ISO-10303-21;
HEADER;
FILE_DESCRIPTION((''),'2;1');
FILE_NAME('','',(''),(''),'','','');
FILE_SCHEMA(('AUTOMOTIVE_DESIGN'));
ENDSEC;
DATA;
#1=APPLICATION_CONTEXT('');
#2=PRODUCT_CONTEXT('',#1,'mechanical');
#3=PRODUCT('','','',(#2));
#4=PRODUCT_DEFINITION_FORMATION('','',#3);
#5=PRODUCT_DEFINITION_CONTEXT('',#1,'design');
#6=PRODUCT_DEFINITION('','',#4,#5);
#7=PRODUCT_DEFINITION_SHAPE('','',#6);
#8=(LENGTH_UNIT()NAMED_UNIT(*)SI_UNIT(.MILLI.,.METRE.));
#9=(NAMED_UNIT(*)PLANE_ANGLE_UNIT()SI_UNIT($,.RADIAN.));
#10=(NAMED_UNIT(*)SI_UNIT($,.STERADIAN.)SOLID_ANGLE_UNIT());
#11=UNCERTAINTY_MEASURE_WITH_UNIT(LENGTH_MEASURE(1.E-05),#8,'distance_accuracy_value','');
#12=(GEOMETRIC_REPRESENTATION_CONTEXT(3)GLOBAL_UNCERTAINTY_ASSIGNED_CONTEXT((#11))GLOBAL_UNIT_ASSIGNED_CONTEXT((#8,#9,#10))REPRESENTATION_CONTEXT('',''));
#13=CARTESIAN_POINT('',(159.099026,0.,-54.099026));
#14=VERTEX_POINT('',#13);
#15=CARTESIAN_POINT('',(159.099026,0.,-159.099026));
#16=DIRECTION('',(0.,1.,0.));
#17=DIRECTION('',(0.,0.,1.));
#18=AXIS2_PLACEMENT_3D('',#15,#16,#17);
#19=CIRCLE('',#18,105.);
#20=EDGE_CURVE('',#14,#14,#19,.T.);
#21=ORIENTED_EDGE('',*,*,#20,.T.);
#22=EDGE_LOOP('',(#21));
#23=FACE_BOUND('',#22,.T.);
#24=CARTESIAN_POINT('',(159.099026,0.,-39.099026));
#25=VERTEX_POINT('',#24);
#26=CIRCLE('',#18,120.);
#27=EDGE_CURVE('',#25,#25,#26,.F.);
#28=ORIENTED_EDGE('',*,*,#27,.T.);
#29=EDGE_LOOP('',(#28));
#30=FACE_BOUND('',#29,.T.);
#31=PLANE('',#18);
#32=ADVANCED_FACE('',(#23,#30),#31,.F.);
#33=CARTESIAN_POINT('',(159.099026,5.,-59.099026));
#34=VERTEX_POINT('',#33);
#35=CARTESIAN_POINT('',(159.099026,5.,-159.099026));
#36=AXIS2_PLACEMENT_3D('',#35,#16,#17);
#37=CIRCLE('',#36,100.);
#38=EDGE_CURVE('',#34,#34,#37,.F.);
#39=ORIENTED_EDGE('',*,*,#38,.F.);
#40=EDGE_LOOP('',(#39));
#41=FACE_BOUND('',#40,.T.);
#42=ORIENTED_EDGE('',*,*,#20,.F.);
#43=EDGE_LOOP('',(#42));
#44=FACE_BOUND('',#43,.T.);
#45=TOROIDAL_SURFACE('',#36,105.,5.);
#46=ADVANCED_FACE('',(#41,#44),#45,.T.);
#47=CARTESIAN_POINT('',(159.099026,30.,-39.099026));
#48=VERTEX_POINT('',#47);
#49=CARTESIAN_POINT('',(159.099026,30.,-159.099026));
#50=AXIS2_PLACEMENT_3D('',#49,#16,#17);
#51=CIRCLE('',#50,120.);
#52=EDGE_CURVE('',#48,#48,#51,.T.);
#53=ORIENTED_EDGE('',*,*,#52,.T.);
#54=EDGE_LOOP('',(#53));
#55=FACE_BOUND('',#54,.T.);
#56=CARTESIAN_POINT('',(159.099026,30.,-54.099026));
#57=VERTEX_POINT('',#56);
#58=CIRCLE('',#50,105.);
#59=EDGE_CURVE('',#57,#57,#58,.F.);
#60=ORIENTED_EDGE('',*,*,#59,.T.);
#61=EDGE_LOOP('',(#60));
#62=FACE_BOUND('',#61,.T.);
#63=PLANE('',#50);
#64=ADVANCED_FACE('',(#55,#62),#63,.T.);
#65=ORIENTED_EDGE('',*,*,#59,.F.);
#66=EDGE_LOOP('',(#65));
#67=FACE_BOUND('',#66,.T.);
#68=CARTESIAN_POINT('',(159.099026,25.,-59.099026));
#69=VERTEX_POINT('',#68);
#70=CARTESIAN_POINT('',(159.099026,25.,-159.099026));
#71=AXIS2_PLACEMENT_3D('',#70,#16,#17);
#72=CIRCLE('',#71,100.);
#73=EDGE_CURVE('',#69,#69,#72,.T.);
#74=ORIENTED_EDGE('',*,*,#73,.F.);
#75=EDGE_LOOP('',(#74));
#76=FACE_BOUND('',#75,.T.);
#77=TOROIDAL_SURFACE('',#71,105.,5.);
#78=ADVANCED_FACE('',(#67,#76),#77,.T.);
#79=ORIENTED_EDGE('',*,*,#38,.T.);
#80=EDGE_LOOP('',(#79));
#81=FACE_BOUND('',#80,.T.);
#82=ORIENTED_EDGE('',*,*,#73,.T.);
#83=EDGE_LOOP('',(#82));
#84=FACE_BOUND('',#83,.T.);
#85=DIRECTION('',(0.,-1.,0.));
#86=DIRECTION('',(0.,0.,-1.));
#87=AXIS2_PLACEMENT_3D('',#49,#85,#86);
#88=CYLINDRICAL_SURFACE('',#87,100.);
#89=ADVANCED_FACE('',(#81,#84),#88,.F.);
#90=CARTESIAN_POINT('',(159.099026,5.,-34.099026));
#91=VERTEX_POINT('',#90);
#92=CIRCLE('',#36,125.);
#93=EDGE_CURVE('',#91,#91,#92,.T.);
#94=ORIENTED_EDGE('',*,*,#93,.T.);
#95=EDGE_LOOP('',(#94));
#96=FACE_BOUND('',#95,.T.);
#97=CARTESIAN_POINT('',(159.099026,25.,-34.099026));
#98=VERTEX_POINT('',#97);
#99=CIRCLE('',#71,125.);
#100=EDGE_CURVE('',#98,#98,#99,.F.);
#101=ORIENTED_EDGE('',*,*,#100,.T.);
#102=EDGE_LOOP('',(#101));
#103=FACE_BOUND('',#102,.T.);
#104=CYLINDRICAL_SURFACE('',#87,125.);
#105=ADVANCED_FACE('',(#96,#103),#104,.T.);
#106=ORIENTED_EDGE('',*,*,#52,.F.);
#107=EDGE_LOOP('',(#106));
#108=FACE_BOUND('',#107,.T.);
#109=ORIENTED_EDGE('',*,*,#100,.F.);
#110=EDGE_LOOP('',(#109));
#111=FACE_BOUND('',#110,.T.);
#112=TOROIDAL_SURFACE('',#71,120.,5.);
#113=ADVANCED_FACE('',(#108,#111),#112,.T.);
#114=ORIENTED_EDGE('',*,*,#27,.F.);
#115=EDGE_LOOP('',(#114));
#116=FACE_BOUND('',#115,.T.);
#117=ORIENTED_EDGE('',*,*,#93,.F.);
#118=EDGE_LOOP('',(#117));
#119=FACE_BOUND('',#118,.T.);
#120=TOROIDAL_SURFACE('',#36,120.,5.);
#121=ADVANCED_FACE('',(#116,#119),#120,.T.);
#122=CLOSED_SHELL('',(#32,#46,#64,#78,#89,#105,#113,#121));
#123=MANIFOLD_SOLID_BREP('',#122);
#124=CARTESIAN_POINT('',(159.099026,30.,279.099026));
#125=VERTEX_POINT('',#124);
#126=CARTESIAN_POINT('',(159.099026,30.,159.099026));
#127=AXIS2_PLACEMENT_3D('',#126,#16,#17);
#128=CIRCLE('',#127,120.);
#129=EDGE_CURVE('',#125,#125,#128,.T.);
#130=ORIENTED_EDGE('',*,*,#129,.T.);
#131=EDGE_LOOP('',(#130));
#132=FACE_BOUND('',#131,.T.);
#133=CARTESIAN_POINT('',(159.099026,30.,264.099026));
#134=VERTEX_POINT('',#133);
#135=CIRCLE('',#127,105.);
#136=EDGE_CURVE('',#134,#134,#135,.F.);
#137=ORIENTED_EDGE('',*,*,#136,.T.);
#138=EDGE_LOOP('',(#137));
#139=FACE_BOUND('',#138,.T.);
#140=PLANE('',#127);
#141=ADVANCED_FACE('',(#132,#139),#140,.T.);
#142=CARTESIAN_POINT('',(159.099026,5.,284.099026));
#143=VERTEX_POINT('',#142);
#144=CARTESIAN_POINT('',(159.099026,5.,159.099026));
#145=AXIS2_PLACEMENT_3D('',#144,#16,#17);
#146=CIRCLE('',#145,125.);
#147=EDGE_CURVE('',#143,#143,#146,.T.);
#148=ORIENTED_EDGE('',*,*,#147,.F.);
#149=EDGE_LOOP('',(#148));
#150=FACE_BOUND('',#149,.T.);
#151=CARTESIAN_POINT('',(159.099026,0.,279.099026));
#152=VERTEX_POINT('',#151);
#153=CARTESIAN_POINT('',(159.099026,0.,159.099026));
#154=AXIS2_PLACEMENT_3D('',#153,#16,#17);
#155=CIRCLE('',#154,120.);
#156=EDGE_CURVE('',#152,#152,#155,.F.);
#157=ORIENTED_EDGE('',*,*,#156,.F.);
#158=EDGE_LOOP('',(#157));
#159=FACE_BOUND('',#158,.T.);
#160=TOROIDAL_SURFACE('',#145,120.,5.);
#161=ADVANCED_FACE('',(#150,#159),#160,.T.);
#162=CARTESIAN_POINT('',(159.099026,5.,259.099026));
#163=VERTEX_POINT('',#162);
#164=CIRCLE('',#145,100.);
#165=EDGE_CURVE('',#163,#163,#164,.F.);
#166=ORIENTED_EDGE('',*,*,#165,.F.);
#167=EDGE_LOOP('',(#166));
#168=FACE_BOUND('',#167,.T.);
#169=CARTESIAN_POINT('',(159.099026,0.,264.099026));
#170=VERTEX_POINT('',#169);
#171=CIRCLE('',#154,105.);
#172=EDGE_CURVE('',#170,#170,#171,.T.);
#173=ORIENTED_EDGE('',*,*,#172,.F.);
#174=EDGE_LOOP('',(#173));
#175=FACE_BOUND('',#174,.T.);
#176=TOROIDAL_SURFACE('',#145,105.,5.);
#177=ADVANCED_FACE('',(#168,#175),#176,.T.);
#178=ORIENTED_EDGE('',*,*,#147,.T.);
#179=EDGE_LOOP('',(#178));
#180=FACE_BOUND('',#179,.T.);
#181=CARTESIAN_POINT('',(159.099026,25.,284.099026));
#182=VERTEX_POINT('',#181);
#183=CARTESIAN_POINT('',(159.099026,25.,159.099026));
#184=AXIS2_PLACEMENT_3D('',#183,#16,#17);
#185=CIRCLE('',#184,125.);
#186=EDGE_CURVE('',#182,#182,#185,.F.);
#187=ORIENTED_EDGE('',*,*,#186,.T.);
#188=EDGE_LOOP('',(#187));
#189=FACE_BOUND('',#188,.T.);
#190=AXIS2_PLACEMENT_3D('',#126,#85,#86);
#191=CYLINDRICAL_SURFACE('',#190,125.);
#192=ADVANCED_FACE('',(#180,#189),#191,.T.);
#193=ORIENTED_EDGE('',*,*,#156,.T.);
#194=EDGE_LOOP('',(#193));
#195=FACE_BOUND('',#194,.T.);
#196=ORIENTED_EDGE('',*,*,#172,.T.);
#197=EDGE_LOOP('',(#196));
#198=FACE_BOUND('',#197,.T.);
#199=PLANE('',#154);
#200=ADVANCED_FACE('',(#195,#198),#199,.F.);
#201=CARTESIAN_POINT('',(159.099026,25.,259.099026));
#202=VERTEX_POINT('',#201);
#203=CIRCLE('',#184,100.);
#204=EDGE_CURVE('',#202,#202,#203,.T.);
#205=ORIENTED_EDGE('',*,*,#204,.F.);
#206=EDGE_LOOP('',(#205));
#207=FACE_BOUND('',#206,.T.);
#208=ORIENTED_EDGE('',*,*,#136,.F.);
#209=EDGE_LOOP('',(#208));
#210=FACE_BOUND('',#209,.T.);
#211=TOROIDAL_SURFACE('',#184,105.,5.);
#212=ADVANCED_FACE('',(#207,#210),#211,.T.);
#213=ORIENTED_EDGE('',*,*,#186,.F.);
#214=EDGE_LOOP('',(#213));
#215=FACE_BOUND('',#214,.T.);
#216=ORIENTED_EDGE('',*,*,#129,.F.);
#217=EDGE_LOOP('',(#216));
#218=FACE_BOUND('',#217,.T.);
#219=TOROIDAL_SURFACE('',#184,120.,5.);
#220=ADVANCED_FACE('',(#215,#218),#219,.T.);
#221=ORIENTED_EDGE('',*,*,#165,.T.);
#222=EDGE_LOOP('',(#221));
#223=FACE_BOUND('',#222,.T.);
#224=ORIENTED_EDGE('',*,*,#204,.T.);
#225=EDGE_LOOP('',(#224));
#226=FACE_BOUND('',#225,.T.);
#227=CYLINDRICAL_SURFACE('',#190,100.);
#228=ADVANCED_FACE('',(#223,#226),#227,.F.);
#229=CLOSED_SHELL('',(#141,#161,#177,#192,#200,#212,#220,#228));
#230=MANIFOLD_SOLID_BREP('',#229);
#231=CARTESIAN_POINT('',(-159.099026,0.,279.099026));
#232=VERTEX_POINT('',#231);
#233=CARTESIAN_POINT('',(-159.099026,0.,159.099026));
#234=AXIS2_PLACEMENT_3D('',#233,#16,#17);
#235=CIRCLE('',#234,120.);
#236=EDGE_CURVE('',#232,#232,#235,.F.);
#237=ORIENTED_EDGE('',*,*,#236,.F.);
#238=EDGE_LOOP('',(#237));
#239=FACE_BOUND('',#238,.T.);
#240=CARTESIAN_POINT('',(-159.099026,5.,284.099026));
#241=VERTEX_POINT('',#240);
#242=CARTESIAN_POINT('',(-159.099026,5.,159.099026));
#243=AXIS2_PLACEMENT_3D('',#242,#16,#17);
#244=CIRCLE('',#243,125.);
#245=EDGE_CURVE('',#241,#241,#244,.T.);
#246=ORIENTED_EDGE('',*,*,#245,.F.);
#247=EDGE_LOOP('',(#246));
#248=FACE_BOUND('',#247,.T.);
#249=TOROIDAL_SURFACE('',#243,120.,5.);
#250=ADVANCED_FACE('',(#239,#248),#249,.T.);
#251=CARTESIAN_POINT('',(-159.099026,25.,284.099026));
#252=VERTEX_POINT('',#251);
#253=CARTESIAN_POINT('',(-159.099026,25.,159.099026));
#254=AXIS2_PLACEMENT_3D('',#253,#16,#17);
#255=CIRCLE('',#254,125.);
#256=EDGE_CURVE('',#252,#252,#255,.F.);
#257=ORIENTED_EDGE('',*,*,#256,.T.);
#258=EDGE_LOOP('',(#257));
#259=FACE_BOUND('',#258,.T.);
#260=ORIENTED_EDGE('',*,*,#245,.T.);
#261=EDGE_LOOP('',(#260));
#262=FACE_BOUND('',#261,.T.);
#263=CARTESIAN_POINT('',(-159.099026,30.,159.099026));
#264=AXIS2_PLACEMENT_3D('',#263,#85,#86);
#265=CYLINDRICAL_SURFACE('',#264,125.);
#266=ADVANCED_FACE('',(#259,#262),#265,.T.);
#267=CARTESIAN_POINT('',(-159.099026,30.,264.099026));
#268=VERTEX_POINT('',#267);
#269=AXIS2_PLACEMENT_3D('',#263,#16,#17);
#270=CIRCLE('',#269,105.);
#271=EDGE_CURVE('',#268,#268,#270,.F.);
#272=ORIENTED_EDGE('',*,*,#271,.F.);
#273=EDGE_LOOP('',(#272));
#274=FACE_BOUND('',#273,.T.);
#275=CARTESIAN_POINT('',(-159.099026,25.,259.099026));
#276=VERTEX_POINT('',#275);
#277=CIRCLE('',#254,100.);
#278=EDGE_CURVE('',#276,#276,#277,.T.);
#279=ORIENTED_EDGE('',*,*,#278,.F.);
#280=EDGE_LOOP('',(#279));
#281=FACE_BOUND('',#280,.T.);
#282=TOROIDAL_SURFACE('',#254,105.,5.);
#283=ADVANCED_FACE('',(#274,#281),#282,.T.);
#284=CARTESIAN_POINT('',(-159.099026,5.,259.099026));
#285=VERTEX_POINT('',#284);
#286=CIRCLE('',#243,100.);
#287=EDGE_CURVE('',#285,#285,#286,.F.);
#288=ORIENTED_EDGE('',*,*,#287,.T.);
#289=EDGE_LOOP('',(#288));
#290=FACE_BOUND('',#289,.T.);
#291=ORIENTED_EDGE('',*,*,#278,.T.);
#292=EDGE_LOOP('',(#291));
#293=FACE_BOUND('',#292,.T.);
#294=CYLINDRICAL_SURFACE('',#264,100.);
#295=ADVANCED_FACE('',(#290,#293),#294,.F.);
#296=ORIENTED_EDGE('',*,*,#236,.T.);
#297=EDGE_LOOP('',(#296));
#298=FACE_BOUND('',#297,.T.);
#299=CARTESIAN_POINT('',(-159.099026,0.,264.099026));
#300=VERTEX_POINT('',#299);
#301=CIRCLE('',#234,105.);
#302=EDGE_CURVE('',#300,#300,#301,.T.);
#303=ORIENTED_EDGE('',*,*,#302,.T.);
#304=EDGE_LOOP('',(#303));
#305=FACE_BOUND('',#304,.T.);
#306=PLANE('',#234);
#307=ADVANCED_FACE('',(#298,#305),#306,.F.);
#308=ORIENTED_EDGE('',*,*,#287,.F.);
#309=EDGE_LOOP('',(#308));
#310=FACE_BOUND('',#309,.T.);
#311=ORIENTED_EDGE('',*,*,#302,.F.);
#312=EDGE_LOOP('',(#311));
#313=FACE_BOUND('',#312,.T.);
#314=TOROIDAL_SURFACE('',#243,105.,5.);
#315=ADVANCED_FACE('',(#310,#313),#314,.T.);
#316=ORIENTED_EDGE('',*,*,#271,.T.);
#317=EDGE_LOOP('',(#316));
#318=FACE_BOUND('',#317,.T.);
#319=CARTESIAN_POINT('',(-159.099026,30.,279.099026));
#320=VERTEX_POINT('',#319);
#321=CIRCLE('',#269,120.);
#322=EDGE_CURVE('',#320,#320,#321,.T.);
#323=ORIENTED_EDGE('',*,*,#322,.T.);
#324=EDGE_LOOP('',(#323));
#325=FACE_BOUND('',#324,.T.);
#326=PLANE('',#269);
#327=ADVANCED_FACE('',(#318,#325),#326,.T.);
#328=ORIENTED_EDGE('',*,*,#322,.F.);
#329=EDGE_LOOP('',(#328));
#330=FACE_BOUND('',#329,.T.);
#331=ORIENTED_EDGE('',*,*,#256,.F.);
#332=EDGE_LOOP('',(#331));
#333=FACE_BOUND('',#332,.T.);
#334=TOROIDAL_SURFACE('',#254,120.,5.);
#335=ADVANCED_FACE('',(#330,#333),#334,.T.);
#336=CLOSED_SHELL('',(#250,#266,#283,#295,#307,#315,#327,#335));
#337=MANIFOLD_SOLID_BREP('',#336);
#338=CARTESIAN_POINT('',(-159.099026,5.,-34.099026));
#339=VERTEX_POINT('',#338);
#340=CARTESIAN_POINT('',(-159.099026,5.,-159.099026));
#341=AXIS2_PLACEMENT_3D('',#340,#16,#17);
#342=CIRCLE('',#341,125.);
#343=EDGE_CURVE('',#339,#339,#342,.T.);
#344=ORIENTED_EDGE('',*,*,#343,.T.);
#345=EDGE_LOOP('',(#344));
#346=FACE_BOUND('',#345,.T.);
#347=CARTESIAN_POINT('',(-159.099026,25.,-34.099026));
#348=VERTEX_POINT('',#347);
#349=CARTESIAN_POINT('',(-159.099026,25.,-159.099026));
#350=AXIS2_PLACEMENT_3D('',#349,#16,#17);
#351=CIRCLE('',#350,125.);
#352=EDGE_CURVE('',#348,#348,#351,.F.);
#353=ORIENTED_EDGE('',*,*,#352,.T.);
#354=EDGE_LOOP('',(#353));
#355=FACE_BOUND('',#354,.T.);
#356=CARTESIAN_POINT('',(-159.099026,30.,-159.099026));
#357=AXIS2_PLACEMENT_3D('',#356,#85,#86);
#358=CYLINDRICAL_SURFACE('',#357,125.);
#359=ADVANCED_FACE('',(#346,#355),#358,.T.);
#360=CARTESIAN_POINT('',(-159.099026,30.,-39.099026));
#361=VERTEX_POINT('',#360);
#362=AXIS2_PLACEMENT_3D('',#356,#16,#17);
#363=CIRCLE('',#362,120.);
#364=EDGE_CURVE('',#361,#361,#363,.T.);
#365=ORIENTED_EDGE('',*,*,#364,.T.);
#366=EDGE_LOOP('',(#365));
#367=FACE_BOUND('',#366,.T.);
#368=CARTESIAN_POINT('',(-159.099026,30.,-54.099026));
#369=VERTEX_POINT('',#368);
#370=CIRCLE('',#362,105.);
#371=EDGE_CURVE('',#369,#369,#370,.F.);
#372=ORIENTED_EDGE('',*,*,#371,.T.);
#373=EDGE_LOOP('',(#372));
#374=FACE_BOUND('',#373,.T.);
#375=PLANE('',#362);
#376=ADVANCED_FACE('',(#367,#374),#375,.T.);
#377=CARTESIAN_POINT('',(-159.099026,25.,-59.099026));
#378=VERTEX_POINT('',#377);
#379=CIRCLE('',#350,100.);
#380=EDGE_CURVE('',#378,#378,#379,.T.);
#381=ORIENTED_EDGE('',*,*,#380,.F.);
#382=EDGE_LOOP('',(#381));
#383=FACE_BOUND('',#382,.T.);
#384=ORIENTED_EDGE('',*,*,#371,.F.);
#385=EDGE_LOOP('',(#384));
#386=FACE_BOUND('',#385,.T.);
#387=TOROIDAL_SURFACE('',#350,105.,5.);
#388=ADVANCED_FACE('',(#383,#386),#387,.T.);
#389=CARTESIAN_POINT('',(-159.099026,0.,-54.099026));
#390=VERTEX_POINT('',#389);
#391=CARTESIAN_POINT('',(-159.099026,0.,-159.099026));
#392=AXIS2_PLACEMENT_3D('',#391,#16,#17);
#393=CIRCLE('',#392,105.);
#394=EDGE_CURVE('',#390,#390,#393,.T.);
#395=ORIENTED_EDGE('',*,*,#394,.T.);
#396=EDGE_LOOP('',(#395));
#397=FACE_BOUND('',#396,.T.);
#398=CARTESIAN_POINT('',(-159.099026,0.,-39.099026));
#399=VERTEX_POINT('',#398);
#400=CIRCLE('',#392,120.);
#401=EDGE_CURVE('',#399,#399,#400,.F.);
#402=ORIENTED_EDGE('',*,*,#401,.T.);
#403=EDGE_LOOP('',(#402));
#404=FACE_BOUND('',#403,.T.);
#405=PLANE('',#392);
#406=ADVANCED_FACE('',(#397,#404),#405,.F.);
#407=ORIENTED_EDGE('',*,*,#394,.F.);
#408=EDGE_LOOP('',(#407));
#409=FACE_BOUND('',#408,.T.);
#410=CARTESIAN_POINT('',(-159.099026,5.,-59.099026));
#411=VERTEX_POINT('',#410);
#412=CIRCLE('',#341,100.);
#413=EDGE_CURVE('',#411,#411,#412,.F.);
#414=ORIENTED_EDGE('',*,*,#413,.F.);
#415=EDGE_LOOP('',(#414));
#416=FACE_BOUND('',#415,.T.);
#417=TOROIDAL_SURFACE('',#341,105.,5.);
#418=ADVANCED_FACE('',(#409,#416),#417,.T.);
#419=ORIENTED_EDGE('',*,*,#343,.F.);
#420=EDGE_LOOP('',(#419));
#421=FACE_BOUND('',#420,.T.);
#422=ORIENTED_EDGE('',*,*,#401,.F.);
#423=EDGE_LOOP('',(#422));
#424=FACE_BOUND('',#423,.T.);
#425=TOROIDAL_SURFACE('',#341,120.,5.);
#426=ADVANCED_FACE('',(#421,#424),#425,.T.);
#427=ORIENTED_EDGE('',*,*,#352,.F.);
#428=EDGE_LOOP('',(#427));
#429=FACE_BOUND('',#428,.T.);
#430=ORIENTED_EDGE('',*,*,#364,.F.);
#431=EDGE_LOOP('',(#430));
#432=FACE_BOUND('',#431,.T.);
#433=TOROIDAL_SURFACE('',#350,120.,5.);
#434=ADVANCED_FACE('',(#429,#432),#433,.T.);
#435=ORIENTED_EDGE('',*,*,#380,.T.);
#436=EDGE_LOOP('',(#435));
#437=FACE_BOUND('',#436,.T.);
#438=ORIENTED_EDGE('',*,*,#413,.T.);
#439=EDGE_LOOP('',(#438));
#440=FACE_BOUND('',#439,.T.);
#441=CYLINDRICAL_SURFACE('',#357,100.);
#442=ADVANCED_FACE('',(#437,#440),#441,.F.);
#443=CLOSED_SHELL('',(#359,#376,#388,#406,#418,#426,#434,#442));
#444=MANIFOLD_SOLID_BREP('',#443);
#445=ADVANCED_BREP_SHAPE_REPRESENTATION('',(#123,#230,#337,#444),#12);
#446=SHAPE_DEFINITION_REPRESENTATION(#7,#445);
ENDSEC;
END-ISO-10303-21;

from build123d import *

# Parameters (mm, degrees)
SKETCH1_R             = 125
SKETCH1_R_2           = 100
BOSS_EXTRUDE1_DEPTH   = 30
BOSS_EXTRUDE1_2_DEPTH = 30
BOSS_EXTRUDE1_3_DEPTH = 30
BOSS_EXTRUDE1_4_DEPTH = 30
FILLET1_R             = 5
FILLET2_R             = 5
FILLET3_R             = 5
FILLET4_R             = 5


with BuildPart() as part:
    # Sketch1 → Boss-Extrude1 (new body)
    with BuildSketch(Plane(origin=(0, 0, 0), x_dir=(1, 0, 0), z_dir=(0, 1, 0))):
        with Locations(Location((-159.099025767, 159.099025767, 0), (0, 0, 270))):
            Circle(SKETCH1_R)
        with Locations(Location((-159.099025767, 159.099025767, 0), (0, 0, 270))):
            Circle(SKETCH1_R_2, mode=Mode.SUBTRACT)
    extrude(amount=BOSS_EXTRUDE1_DEPTH)

    # Fillet3
    fillet3_edges = [part.edges().sort_by_distance(p)[0] for p in [
        (-159.099025767, 0, -284.099025767),
        (-159.099025767, 30, -284.099025767),
        (-159.099025767, 0, -259.099025767),
        (-159.099025767, 30, -259.099025767),
    ]]
    fillet(fillet3_edges, radius=FILLET3_R)


with BuildPart() as body_2:
    # Sketch1 → Boss-Extrude1 2 (new body)
    with BuildSketch(Plane(origin=(0, 0, 0), x_dir=(1, 0, 0), z_dir=(0, 1, 0))):
        with Locations(Location((159.099025767, 159.099025767, 0), (0, 0, 270))):
            Circle(SKETCH1_R)
        with Locations(Location((159.099025767, 159.099025767, 0), (0, 0, 270))):
            Circle(SKETCH1_R_2, mode=Mode.SUBTRACT)
    extrude(amount=BOSS_EXTRUDE1_2_DEPTH)

    # Fillet4
    fillet4_edges = [body_2.edges().sort_by_distance(p)[0] for p in [
        (159.099025767, 0, -284.099025767),
        (159.099025767, 30, -284.099025767),
        (159.099025767, 0, -259.099025767),
        (159.099025767, 30, -259.099025767),
    ]]
    fillet(fillet4_edges, radius=FILLET4_R)


with BuildPart() as body_3:
    # Sketch1 → Boss-Extrude1 3 (new body)
    with BuildSketch(Plane(origin=(0, 0, 0), x_dir=(1, 0, 0), z_dir=(0, 1, 0))):
        with Locations(Location((-159.099025767, -159.099025767, 0), (0, 0, 270))):
            Circle(SKETCH1_R)
        with Locations(Location((-159.099025767, -159.099025767, 0), (0, 0, 270))):
            Circle(SKETCH1_R_2, mode=Mode.SUBTRACT)
    extrude(amount=BOSS_EXTRUDE1_3_DEPTH)

    # Fillet1
    fillet1_edges = [body_3.edges().sort_by_distance(p)[0] for p in [
        (-159.099025767, 0, 34.099025767),
        (-159.099025767, 30, 34.099025767),
        (-159.099025767, 0, 59.099025767),
        (-159.099025767, 30, 59.099025767),
    ]]
    fillet(fillet1_edges, radius=FILLET1_R)


with BuildPart() as body_4:
    # Sketch1 → Boss-Extrude1 4 (new body)
    with BuildSketch(Plane(origin=(0, 0, 0), x_dir=(1, 0, 0), z_dir=(0, 1, 0))):
        with Locations(Location((159.099025767, -159.099025767, 0), (0, 0, 270))):
            Circle(SKETCH1_R)
        with Locations(Location((159.099025767, -159.099025767, 0), (0, 0, 270))):
            Circle(SKETCH1_R_2, mode=Mode.SUBTRACT)
    extrude(amount=BOSS_EXTRUDE1_4_DEPTH)

    # Fillet2
    fillet2_edges = [body_4.edges().sort_by_distance(p)[0] for p in [
        (159.099025767, 0, 34.099025767),
        (159.099025767, 30, 34.099025767),
        (159.099025767, 0, 59.099025767),
        (159.099025767, 30, 59.099025767),
    ]]
    fillet(fillet2_edges, radius=FILLET2_R)


solid = Compound([part.part, body_2.part, body_3.part, body_4.part])
